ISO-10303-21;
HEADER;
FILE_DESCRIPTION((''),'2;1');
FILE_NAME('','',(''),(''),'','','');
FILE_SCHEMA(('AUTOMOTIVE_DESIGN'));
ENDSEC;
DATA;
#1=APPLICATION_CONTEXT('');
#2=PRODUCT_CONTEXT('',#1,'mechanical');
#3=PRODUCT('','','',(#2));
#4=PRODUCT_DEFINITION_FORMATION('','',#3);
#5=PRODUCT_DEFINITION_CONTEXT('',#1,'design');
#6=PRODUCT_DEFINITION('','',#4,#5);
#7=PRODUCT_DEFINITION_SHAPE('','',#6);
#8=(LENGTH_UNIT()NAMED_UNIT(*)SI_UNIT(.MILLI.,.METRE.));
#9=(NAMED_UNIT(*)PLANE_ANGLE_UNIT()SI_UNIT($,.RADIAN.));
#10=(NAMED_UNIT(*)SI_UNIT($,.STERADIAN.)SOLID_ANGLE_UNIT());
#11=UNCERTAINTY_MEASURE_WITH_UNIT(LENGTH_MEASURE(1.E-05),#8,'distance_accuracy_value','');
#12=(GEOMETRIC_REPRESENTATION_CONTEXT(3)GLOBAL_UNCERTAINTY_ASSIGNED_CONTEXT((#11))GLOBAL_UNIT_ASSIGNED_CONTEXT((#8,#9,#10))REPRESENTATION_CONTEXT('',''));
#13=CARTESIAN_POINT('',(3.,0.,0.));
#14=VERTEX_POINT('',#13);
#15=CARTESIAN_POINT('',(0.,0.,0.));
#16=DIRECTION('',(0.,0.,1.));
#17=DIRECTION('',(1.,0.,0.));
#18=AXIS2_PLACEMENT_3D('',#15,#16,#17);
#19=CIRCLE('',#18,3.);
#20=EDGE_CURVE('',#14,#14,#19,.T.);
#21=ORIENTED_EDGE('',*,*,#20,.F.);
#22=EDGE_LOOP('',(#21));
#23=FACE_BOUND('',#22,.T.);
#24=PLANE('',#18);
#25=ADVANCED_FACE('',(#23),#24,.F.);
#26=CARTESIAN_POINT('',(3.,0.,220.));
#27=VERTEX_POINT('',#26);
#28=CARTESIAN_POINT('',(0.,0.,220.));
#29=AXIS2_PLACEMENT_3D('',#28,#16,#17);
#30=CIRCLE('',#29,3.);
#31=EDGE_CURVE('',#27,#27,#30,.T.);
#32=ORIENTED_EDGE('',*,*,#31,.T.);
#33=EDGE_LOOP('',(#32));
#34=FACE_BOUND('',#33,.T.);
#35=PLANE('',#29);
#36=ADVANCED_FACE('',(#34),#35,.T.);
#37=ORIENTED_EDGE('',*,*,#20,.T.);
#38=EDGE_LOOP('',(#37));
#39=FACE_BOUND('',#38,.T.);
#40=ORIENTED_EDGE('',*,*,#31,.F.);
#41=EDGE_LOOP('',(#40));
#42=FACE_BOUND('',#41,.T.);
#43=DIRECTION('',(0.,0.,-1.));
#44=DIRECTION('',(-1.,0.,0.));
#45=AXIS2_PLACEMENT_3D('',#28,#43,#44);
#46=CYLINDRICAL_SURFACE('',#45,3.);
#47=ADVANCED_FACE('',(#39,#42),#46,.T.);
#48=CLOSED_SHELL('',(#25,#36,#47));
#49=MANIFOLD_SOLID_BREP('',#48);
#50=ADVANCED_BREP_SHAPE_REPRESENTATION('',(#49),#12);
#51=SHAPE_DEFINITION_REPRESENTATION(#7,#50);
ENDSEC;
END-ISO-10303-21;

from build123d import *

# Parameters (mm, degrees)
SKETCH1_R           = 3
BOSS_EXTRUDE1_DEPTH = 220


with BuildPart() as part:
    # Sketch1 → Boss-Extrude1 (new body)
    with BuildSketch(Plane.XY):
        Circle(SKETCH1_R)
    extrude(amount=BOSS_EXTRUDE1_DEPTH)


solid = part.part
